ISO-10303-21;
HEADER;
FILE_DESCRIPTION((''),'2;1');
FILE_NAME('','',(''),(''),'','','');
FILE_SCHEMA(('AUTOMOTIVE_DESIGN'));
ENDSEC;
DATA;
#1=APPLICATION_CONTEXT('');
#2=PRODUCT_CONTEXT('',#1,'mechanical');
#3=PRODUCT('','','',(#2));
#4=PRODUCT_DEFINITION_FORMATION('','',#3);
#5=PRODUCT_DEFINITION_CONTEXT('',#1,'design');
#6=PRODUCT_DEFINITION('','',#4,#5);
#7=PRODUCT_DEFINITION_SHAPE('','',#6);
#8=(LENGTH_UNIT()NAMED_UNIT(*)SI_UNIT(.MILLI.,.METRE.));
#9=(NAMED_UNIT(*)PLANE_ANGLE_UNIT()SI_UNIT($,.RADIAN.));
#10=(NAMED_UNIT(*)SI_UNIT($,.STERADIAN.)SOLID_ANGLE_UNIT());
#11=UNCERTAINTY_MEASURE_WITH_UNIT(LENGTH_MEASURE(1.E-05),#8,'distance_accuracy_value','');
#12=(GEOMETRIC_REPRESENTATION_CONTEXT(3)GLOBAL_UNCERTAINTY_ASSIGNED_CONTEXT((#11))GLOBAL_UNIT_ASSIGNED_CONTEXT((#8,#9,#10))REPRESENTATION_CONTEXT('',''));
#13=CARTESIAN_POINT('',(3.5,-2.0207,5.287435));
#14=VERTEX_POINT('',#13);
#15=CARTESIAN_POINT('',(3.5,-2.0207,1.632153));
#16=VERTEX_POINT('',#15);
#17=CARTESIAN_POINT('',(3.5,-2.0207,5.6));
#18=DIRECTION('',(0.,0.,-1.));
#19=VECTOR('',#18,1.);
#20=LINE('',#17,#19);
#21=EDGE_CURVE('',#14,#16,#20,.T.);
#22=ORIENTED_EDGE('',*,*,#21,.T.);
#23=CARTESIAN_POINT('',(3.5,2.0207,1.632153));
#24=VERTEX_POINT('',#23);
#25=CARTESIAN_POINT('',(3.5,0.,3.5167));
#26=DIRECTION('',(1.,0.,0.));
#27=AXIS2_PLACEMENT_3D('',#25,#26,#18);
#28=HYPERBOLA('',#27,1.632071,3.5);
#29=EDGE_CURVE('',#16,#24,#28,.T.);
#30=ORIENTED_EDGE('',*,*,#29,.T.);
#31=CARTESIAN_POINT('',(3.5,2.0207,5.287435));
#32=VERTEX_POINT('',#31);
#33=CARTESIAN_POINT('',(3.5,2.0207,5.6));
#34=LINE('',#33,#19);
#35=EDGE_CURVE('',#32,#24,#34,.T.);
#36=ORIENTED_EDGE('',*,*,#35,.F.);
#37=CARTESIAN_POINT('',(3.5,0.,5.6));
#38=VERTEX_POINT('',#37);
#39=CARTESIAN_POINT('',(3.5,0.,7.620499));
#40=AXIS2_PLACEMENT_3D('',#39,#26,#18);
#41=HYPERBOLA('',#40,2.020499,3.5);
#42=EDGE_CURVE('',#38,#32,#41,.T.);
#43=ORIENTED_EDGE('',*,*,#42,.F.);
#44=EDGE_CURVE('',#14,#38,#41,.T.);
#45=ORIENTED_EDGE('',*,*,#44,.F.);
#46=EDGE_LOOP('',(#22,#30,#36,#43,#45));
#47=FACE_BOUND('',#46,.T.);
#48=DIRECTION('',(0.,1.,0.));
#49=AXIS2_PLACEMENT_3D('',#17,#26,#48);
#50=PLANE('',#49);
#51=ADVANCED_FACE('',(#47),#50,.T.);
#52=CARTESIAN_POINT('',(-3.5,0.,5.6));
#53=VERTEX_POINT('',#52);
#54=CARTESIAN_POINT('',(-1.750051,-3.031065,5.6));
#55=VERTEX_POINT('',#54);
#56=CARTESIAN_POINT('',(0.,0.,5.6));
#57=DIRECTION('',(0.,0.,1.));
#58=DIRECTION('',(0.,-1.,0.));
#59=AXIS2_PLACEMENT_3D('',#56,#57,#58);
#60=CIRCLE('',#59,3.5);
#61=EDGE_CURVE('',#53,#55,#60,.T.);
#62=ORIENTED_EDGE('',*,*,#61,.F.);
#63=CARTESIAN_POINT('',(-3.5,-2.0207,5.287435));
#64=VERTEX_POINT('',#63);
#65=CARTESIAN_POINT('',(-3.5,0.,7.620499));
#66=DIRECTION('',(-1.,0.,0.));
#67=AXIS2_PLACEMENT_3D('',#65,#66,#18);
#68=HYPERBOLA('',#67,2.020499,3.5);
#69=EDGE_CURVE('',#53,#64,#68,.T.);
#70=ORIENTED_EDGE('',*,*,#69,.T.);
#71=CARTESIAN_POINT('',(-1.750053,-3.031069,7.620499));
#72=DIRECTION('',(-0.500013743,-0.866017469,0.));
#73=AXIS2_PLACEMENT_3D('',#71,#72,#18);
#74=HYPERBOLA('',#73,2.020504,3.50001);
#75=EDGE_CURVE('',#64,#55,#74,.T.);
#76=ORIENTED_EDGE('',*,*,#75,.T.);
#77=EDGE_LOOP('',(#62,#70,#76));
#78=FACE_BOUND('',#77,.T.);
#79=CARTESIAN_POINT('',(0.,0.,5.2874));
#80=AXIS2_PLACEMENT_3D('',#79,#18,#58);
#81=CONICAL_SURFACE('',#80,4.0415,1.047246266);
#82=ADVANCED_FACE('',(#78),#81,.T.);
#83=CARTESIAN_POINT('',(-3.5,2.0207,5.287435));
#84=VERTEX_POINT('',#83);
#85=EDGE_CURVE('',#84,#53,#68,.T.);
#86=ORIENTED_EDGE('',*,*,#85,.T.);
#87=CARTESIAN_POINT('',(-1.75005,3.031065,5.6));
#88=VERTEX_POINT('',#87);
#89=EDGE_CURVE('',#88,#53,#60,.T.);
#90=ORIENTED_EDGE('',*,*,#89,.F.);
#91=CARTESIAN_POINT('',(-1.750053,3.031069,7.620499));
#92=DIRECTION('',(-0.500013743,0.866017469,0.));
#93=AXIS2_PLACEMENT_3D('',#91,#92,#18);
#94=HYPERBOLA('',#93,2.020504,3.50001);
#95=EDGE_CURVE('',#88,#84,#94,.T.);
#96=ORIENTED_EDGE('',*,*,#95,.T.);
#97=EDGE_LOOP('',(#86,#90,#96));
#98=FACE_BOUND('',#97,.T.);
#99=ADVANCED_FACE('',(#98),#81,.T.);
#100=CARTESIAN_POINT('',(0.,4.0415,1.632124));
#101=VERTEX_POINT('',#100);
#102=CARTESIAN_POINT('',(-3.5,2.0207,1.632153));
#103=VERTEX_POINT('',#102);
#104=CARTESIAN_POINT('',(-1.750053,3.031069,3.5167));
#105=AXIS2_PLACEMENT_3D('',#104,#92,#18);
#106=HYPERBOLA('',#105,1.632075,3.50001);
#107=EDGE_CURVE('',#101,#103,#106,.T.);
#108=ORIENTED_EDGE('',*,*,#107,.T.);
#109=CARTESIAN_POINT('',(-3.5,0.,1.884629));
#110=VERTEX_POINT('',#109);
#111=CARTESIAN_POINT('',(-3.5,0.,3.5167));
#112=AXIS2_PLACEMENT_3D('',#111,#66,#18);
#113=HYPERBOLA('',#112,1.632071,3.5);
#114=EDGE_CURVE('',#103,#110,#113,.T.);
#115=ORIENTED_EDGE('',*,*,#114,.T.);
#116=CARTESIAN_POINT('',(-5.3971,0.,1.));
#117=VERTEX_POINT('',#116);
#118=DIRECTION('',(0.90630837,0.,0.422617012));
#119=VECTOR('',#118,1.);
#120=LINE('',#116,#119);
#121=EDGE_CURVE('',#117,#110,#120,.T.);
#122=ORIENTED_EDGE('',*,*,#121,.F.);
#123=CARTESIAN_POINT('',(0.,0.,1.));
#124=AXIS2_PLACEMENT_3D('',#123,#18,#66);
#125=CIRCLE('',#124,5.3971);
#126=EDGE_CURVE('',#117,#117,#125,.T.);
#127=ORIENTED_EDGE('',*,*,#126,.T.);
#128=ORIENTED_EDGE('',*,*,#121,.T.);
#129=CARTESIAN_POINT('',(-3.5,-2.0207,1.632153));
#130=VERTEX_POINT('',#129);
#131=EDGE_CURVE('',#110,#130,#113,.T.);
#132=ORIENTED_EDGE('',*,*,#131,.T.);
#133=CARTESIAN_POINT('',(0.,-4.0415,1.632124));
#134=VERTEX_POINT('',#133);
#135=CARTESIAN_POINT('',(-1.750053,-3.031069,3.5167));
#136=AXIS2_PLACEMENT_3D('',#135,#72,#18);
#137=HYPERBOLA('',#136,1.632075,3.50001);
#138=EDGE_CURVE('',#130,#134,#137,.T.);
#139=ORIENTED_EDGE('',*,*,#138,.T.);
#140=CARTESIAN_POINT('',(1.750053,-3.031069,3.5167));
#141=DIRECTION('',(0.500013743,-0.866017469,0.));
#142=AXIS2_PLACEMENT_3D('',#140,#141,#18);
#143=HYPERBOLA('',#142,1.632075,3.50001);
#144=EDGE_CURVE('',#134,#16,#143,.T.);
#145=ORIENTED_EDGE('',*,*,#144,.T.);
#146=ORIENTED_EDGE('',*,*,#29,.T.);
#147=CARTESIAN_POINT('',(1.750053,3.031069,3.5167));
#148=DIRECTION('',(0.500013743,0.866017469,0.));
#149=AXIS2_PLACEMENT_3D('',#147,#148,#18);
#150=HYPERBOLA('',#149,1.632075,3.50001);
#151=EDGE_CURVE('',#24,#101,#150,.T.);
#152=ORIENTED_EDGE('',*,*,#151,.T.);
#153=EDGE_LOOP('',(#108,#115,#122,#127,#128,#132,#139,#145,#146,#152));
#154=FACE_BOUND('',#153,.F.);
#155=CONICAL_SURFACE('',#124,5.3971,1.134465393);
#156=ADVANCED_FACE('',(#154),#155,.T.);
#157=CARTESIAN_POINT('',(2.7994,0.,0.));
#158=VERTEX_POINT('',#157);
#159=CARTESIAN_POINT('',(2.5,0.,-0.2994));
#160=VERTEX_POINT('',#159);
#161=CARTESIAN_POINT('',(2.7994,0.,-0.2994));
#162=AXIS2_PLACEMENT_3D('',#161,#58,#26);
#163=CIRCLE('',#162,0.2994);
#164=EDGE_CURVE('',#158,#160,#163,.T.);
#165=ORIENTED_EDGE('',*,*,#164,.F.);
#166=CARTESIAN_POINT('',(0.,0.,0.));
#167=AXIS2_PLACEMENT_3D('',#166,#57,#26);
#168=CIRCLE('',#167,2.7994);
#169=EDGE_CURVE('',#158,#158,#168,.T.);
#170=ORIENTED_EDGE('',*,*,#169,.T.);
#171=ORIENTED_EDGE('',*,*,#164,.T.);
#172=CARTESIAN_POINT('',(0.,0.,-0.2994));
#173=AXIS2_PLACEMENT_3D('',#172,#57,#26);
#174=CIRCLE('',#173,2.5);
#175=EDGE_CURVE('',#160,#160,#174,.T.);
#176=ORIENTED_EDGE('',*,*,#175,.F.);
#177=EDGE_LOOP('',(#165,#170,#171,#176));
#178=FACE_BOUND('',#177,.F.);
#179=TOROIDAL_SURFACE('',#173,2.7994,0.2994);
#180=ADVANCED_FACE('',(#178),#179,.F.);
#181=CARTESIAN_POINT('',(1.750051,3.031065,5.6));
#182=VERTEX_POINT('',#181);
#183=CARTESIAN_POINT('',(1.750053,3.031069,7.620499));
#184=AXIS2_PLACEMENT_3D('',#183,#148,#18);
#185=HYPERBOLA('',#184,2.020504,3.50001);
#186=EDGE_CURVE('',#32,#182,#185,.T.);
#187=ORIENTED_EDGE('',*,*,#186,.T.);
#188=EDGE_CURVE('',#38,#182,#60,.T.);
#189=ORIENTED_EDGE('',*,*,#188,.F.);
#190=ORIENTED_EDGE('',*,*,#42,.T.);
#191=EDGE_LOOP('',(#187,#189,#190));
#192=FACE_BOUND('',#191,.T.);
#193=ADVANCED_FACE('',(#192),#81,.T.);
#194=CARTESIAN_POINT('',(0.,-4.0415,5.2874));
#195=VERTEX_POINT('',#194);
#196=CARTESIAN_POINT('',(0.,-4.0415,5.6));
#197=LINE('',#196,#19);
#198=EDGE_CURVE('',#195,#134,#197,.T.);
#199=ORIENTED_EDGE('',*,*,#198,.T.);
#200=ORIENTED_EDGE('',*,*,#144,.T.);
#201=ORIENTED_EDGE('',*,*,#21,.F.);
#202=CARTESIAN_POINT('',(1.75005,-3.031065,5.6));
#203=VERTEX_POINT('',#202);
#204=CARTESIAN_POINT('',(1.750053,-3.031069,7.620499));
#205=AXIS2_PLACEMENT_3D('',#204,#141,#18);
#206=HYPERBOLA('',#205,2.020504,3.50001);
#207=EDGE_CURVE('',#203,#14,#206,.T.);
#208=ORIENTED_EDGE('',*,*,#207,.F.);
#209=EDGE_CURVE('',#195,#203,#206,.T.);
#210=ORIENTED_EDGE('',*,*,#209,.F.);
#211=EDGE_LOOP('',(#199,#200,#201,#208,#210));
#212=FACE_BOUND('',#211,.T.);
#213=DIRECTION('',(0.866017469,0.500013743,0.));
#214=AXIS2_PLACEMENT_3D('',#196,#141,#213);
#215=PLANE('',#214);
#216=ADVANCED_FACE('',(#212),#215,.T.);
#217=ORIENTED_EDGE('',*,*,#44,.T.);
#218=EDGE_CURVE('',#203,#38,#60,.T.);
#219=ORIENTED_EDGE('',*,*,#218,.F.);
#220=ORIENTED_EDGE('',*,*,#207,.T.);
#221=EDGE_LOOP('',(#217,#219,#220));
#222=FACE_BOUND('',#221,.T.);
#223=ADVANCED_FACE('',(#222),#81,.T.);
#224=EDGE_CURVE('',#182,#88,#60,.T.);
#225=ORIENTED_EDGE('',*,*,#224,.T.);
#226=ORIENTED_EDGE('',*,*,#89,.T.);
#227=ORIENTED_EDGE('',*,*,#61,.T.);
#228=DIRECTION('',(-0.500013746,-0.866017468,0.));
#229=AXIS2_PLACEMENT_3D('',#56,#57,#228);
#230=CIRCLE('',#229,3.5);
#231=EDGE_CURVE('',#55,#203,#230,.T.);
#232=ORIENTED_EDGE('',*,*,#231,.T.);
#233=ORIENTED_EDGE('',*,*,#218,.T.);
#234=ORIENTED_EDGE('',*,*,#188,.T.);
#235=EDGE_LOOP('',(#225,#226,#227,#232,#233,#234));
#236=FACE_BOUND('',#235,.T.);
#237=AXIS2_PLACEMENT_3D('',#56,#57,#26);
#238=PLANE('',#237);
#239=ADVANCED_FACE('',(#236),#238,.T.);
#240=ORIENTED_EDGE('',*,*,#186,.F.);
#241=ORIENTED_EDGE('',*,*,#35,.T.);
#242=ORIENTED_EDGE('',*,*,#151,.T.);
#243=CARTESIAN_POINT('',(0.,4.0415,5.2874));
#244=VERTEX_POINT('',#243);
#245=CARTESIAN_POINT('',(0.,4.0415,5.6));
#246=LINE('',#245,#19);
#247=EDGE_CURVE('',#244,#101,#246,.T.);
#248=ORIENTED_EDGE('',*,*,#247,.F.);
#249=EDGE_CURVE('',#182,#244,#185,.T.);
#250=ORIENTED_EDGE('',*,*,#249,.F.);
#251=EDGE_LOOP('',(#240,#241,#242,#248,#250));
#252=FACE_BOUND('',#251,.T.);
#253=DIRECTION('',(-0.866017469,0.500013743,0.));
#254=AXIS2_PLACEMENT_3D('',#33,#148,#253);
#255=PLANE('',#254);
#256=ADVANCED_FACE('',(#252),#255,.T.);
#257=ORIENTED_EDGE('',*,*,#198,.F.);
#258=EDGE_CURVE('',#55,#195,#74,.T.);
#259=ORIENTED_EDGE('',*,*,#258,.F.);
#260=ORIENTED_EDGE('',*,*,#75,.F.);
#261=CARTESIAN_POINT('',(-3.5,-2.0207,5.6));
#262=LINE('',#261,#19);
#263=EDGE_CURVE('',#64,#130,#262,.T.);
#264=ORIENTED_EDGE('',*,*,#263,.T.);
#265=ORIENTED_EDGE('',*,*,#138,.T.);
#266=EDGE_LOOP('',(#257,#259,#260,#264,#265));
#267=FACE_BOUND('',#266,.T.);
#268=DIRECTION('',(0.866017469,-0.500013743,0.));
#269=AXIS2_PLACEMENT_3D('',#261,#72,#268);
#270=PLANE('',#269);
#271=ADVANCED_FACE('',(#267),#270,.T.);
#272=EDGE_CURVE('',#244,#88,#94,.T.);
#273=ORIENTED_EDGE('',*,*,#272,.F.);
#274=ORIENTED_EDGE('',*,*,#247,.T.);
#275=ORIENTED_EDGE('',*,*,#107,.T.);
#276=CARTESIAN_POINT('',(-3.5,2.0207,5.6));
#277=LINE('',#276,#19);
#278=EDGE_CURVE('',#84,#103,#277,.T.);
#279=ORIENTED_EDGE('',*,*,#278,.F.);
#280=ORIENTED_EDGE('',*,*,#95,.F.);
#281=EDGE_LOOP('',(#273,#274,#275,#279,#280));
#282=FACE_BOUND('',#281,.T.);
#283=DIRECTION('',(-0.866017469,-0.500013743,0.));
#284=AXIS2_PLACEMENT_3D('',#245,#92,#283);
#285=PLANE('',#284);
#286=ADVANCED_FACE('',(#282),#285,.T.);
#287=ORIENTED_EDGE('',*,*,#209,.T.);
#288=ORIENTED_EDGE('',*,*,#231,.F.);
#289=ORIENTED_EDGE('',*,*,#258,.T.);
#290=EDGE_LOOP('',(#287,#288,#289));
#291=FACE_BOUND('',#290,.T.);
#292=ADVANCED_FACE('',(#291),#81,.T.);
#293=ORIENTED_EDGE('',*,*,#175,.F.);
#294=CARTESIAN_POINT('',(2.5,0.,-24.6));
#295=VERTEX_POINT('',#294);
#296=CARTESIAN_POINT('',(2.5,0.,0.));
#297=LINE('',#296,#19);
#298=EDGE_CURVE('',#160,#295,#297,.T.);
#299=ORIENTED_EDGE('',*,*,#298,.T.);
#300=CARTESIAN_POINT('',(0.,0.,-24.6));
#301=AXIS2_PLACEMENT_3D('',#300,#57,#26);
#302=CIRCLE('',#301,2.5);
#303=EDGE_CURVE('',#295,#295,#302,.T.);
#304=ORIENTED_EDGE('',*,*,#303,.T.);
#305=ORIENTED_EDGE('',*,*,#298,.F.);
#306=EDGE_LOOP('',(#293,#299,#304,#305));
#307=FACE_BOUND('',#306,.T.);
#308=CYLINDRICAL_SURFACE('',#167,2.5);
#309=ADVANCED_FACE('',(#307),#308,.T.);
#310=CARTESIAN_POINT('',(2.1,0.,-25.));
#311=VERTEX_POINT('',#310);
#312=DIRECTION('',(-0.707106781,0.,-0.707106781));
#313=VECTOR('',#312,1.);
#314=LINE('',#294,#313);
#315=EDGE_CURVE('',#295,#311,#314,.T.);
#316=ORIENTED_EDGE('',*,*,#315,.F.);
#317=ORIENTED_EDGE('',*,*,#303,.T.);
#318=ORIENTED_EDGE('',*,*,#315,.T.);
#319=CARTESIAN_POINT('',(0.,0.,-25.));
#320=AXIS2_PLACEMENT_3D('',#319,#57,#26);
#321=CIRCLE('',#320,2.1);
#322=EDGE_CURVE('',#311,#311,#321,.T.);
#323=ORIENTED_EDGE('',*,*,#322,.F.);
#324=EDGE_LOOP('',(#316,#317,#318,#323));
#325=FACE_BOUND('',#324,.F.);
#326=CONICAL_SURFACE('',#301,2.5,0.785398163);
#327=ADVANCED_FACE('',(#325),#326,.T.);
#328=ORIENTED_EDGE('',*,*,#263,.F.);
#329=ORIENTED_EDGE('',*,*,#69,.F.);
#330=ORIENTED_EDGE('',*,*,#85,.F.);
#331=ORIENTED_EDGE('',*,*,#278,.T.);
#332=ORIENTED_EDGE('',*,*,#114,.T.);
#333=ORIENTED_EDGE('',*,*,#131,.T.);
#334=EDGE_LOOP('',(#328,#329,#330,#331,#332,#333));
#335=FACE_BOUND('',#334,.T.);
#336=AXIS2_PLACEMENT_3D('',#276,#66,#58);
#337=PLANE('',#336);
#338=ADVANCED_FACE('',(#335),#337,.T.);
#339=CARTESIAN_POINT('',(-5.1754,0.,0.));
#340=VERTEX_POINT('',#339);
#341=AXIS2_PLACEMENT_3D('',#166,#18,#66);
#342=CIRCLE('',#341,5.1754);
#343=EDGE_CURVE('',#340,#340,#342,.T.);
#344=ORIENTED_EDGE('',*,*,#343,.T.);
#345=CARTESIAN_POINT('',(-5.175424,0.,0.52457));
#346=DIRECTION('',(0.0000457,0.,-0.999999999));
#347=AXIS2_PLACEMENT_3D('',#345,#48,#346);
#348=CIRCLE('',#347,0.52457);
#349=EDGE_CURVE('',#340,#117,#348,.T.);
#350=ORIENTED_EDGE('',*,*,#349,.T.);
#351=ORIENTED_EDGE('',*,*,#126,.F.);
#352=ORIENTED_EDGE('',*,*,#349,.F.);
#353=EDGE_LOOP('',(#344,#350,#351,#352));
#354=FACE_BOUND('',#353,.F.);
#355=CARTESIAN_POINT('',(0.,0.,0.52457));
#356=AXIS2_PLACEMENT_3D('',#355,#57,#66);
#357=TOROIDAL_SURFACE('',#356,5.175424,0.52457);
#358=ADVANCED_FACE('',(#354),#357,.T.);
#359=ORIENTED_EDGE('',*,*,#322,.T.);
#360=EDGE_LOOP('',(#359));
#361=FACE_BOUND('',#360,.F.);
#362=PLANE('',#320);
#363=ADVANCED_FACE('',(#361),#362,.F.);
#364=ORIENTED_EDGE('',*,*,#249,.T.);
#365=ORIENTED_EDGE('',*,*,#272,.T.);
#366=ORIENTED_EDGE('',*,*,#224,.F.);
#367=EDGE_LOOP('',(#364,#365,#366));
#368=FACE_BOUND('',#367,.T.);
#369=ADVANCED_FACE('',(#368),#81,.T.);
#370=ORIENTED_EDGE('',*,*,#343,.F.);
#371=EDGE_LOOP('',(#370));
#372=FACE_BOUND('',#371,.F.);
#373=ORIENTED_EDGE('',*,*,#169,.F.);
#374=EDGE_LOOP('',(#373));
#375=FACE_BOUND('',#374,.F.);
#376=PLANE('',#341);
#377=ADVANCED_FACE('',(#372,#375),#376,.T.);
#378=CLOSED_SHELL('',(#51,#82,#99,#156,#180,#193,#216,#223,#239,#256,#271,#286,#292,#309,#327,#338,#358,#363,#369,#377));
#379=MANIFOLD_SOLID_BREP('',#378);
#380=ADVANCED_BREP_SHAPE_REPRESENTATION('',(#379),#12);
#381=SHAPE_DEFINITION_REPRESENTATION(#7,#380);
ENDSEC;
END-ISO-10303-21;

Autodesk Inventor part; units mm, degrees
ref_plane "WorkPlane12" through (0, 0, 0) normal (0, 0, 1) x (1, 0, 0)
sketch "Boceto1" plane through (0, 0, 0) normal (0, 0, 1) x (1, 0, 0)
  point P0 (0, 0)
sketch "Boceto2" plane through (0, 0, 0) normal (0, 0, 1) x (1, 0, 0)
  circle A0 centre (0, 0) radius 2.5
  dimension "d1" = 5
extrude "Extrusión1" add sketch "Boceto2" against normal blind 25
chamfer "Chaflán1" distance 0.4 angle 45 1 edges at (-2.5, 0, -25)
sketch "Boceto3" plane through (0, 0, 0) normal (0, 0, 1) x (1, 0, 0)
  circle A0 centre (0, 0) radius 3.15
  circle A1 centre (0, 0) radius 2.5 construction
  dimension "d7" = 6.3
extrude "Extrusión2" add sketch "Boceto3" along normal blind 5.6
sketch "Boceto4" plane through (0, 0, 0) normal (0, 1, 0) x (-1, 0, 0)
  line L0 (0, 0) -> (5.1754, 0)
  line L1 (0, 3.5167) -> (0, 0)
  line L2 (5.3971, 1) -> (0, 3.5167)
  line L3 (0, -0.8101) -> (0, 4.2379) projected
  line L4 (-2.5, 0) -> (2.5, 0) projected
  arc A0 (5.1754, 0) -> (5.3971, 1) centre (5.1754, 0.5246) ccw
  dimension "d14" = 25
  dimension "d16" = 1
  dimension "d45" = 5.7
revolve "Revolución1" add sketch "Boceto4" angle 360 about axis through (0, 0, 3.5167) along (0, 0, -1)
fillet "Empalme1" radius 0.2994 1 edges at (-2.5, 0, 0)
sketch "Boceto5" plane through (0, 0, 5.6) normal (0, 0, 1) x (1, 0, 0)
  line L0 (-3.5, 2.0207) -> (-3.5, -2.0207)
  line L1 (0, 4.0415) -> (-3.5, 2.0207)
  line L2 (3.5, 2.0207) -> (0, 4.0415)
  line L3 (3.5, -2.0207) -> (3.5, 2.0207)
  line L4 (0, -4.0415) -> (3.5, -2.0207)
  line L5 (-3.5, -2.0207) -> (0, -4.0415)
  circle A0 centre (0, 0) radius 3.5 construction
  circle A1 centre (0, 0) radius 3.15 construction
  dimension "d20" = 7
  dimension "d35" = 120
  dimension "d36" = 120
extrude "Extrusión3" add sketch "Boceto5" against normal blind 5.6
sketch "Boceto9" plane through (0, 0, 0) normal (1, 0, 0) x (0, 1, 0)
  line L0 (-4.0415, 5.6) -> (-4.0415, 5.2874)
  line L1 (-4.0415, 5.2874) -> (-3.5, 5.6)
  line L2 (-3.5, 5.6) -> (-4.0415, 5.6)
  line L3 (-4.0415, 5.6) -> (-4.0415, 1.6322) projected
  line L4 (-4.0415, 5.6) -> (-2.0207, 5.6) projected
  line L5 (0, -1.12) -> (0, 6.72) projected
  dimension "d28" = 30
  dimension "d29" = 3.5
revolve "Revolución2" cut sketch "Boceto9" angle 360 about axis through (0, 0, -10) along (0, 0, 1)
thread "Rosca1" size "M5x0.8" class "6g" standard "ISO Metric profile" length 16
ref_plane "MSC_PF1" through (0, 0, 0) normal (1, 0, 0) x (0, 1, 0)
ref_plane "MSC_PT1" through (0, 0, 0) normal (0, 0, -1) x (-1, 0, 0)
equation "\"d2\" = NLG"
equation "\"d4\" = msp_z"
equation "\"d5\" = msp_z"
equation "\"d7\" = 0.9 * Smax"
equation "\"d8\" = Kmax"
equation "\"d18\" = msp_r"
equation "\"d20\" = Smax"
equation "\"d21\" = Kmax"
equation "\"d33\" = B"
equation "\"d1\" = NND"
equation "\"d16\" = Cmin"
equation "\"d45\" = 0.5 * Dcmax"
equation "\"d29\" = 0.5 * Smax"
equation "\"NND\" = 5"
equation "\"NLG\" = 25"
equation "\"PTC\" = 0.8"
equation "\"msp_z\" = 0.5 * PTC"
equation "\"Smax\" = 7"
equation "\"Kmax\" = 5.6"
equation "\"Dcmax\" = 11.4"
equation "\"Cmin\" = 1"
equation "\"msp_r\" = 0.0598802 * NND"
equation "\"B\" = 16"
equation "\"THREADDIA\" = NND"
properties part number "ANSI B18.2.3.4M - M5 x 0.8x25" material "Acero, suave"
